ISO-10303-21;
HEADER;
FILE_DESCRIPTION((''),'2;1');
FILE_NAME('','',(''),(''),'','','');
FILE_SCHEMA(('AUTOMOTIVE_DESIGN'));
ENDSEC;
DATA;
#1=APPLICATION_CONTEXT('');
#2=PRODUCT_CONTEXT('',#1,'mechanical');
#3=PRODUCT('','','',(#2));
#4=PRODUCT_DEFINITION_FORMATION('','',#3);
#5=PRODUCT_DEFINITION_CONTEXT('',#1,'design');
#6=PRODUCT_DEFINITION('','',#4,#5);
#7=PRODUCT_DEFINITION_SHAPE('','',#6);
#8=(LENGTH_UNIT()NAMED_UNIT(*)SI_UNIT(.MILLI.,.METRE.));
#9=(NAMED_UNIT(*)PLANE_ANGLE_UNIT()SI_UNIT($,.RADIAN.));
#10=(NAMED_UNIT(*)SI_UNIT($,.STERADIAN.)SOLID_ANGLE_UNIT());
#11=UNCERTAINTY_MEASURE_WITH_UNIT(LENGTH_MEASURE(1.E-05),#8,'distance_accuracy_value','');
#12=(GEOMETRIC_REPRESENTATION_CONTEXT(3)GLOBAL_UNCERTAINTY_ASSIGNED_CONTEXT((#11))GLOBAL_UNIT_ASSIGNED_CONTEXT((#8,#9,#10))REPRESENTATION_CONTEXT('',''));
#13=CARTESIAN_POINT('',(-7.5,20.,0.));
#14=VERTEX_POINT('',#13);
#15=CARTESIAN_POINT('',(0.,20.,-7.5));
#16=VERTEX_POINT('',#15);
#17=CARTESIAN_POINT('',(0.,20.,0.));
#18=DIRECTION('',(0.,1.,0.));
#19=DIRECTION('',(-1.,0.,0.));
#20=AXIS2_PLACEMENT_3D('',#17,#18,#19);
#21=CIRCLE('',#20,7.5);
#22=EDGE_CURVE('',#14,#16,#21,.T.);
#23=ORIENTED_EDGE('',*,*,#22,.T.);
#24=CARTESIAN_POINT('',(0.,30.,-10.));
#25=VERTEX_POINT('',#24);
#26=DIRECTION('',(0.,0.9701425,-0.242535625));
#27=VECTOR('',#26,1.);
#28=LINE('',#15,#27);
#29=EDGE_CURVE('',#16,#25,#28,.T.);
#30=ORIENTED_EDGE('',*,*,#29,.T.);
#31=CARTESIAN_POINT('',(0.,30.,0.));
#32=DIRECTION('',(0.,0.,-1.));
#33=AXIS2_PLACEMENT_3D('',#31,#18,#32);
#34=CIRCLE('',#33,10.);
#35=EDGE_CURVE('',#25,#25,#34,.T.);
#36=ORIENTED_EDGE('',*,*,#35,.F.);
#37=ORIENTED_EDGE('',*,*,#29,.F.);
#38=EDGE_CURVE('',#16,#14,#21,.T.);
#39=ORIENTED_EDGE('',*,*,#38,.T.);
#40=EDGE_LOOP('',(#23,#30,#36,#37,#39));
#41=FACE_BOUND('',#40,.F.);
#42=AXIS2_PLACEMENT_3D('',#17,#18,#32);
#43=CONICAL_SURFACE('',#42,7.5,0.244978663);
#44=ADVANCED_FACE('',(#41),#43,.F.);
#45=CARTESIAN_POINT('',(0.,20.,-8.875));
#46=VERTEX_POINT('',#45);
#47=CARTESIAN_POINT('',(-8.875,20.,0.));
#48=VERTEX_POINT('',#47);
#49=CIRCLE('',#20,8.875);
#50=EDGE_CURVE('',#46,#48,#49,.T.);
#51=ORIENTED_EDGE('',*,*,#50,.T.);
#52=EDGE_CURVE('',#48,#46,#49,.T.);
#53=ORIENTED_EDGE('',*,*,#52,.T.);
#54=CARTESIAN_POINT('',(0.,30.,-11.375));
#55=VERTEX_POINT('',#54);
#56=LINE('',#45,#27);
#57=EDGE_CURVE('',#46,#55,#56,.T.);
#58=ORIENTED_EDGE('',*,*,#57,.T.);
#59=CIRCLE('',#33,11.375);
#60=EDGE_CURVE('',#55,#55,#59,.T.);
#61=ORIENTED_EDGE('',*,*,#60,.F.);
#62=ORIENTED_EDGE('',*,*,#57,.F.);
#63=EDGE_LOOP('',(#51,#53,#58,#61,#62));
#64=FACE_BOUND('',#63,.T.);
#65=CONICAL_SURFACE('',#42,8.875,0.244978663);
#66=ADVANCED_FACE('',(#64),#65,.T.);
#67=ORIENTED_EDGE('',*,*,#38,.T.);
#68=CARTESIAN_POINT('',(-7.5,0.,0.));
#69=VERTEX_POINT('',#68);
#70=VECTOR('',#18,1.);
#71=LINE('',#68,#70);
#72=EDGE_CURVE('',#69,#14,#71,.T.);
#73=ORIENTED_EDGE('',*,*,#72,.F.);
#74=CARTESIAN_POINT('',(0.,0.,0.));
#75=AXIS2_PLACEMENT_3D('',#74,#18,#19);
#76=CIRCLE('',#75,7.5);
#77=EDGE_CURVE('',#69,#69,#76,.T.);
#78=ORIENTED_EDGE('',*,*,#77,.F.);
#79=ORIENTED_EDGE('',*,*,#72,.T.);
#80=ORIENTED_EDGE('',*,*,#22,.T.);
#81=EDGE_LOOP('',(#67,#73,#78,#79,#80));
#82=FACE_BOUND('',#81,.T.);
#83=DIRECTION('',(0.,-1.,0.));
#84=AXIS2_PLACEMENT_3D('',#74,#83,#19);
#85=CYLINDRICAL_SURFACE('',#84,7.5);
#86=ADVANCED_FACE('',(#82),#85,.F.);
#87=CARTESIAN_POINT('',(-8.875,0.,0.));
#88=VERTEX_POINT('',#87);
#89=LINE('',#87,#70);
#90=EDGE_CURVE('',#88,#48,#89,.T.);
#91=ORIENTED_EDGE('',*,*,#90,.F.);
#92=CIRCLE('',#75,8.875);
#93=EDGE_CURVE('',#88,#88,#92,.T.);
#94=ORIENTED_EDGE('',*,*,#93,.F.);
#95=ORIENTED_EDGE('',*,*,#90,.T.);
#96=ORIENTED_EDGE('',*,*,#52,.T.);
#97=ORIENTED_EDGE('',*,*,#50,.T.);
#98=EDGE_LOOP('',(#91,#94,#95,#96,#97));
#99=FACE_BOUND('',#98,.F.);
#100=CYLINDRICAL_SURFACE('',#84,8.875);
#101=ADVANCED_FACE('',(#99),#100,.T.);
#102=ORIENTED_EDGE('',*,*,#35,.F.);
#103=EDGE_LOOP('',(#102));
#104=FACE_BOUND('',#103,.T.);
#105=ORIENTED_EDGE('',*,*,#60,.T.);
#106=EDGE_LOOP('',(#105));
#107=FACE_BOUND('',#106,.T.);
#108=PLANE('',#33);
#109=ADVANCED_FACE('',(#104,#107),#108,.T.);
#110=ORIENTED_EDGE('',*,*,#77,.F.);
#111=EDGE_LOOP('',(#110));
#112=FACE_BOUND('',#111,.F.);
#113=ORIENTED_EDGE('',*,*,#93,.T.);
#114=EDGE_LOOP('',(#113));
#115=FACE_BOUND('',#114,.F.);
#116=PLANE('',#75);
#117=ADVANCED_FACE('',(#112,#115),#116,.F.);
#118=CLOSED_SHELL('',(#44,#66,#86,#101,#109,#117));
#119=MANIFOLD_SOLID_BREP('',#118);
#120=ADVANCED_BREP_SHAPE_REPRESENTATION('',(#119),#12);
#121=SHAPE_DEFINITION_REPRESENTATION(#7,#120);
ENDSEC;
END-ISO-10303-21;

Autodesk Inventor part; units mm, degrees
ref_plane "YZ Plane" through (0, 0, 0) normal (1, 0, 0) x (0, 1, 0)
ref_plane "XZ Plane" through (0, 0, 0) normal (0, 1, 0) x (-1, 0, 0)
ref_plane "XY Plane" through (0, 0, 0) normal (0, 0, 1) x (1, 0, 0)
sketch "Sketch1" plane through (0, 0, 0) normal (0, 1, 0) x (-1, 0, 0)
  circle A0 centre (0, 0) radius 7.5
  circle A1 centre (0, 0) radius 8.875
  dimension "d0" = 15
  dimension "d1" = 17.75
extrude "Extrusion1" add sketch "Sketch1" along normal blind 20
sketch "Sketch2" plane through (0, 0, 0) normal (1, 0, 0) x (0, 1, 0)
  line L0 (30, 0) -> (30, -10) construction
  line L1 (20, -8.875) -> (20, 8.875) projected
  line L2 (20, -7.5) -> (0, -7.5) projected
  line L3 (20, -7.5) -> (30, -10)
  line L4 (20, -8.875) -> (30, -11.375)
  line L5 (30, -11.375) -> (30, -10)
  line L6 (20, 0) -> (30, 0)
  point P0 (0, 0)
  dimension "d4" = 10
  dimension "d5" = 10
revolve "Revolution1" add sketch "Sketch2" angle 360 about axis through (0, 20, 0) along (0, 1, 0)
properties part number "20mm Nozzle"
